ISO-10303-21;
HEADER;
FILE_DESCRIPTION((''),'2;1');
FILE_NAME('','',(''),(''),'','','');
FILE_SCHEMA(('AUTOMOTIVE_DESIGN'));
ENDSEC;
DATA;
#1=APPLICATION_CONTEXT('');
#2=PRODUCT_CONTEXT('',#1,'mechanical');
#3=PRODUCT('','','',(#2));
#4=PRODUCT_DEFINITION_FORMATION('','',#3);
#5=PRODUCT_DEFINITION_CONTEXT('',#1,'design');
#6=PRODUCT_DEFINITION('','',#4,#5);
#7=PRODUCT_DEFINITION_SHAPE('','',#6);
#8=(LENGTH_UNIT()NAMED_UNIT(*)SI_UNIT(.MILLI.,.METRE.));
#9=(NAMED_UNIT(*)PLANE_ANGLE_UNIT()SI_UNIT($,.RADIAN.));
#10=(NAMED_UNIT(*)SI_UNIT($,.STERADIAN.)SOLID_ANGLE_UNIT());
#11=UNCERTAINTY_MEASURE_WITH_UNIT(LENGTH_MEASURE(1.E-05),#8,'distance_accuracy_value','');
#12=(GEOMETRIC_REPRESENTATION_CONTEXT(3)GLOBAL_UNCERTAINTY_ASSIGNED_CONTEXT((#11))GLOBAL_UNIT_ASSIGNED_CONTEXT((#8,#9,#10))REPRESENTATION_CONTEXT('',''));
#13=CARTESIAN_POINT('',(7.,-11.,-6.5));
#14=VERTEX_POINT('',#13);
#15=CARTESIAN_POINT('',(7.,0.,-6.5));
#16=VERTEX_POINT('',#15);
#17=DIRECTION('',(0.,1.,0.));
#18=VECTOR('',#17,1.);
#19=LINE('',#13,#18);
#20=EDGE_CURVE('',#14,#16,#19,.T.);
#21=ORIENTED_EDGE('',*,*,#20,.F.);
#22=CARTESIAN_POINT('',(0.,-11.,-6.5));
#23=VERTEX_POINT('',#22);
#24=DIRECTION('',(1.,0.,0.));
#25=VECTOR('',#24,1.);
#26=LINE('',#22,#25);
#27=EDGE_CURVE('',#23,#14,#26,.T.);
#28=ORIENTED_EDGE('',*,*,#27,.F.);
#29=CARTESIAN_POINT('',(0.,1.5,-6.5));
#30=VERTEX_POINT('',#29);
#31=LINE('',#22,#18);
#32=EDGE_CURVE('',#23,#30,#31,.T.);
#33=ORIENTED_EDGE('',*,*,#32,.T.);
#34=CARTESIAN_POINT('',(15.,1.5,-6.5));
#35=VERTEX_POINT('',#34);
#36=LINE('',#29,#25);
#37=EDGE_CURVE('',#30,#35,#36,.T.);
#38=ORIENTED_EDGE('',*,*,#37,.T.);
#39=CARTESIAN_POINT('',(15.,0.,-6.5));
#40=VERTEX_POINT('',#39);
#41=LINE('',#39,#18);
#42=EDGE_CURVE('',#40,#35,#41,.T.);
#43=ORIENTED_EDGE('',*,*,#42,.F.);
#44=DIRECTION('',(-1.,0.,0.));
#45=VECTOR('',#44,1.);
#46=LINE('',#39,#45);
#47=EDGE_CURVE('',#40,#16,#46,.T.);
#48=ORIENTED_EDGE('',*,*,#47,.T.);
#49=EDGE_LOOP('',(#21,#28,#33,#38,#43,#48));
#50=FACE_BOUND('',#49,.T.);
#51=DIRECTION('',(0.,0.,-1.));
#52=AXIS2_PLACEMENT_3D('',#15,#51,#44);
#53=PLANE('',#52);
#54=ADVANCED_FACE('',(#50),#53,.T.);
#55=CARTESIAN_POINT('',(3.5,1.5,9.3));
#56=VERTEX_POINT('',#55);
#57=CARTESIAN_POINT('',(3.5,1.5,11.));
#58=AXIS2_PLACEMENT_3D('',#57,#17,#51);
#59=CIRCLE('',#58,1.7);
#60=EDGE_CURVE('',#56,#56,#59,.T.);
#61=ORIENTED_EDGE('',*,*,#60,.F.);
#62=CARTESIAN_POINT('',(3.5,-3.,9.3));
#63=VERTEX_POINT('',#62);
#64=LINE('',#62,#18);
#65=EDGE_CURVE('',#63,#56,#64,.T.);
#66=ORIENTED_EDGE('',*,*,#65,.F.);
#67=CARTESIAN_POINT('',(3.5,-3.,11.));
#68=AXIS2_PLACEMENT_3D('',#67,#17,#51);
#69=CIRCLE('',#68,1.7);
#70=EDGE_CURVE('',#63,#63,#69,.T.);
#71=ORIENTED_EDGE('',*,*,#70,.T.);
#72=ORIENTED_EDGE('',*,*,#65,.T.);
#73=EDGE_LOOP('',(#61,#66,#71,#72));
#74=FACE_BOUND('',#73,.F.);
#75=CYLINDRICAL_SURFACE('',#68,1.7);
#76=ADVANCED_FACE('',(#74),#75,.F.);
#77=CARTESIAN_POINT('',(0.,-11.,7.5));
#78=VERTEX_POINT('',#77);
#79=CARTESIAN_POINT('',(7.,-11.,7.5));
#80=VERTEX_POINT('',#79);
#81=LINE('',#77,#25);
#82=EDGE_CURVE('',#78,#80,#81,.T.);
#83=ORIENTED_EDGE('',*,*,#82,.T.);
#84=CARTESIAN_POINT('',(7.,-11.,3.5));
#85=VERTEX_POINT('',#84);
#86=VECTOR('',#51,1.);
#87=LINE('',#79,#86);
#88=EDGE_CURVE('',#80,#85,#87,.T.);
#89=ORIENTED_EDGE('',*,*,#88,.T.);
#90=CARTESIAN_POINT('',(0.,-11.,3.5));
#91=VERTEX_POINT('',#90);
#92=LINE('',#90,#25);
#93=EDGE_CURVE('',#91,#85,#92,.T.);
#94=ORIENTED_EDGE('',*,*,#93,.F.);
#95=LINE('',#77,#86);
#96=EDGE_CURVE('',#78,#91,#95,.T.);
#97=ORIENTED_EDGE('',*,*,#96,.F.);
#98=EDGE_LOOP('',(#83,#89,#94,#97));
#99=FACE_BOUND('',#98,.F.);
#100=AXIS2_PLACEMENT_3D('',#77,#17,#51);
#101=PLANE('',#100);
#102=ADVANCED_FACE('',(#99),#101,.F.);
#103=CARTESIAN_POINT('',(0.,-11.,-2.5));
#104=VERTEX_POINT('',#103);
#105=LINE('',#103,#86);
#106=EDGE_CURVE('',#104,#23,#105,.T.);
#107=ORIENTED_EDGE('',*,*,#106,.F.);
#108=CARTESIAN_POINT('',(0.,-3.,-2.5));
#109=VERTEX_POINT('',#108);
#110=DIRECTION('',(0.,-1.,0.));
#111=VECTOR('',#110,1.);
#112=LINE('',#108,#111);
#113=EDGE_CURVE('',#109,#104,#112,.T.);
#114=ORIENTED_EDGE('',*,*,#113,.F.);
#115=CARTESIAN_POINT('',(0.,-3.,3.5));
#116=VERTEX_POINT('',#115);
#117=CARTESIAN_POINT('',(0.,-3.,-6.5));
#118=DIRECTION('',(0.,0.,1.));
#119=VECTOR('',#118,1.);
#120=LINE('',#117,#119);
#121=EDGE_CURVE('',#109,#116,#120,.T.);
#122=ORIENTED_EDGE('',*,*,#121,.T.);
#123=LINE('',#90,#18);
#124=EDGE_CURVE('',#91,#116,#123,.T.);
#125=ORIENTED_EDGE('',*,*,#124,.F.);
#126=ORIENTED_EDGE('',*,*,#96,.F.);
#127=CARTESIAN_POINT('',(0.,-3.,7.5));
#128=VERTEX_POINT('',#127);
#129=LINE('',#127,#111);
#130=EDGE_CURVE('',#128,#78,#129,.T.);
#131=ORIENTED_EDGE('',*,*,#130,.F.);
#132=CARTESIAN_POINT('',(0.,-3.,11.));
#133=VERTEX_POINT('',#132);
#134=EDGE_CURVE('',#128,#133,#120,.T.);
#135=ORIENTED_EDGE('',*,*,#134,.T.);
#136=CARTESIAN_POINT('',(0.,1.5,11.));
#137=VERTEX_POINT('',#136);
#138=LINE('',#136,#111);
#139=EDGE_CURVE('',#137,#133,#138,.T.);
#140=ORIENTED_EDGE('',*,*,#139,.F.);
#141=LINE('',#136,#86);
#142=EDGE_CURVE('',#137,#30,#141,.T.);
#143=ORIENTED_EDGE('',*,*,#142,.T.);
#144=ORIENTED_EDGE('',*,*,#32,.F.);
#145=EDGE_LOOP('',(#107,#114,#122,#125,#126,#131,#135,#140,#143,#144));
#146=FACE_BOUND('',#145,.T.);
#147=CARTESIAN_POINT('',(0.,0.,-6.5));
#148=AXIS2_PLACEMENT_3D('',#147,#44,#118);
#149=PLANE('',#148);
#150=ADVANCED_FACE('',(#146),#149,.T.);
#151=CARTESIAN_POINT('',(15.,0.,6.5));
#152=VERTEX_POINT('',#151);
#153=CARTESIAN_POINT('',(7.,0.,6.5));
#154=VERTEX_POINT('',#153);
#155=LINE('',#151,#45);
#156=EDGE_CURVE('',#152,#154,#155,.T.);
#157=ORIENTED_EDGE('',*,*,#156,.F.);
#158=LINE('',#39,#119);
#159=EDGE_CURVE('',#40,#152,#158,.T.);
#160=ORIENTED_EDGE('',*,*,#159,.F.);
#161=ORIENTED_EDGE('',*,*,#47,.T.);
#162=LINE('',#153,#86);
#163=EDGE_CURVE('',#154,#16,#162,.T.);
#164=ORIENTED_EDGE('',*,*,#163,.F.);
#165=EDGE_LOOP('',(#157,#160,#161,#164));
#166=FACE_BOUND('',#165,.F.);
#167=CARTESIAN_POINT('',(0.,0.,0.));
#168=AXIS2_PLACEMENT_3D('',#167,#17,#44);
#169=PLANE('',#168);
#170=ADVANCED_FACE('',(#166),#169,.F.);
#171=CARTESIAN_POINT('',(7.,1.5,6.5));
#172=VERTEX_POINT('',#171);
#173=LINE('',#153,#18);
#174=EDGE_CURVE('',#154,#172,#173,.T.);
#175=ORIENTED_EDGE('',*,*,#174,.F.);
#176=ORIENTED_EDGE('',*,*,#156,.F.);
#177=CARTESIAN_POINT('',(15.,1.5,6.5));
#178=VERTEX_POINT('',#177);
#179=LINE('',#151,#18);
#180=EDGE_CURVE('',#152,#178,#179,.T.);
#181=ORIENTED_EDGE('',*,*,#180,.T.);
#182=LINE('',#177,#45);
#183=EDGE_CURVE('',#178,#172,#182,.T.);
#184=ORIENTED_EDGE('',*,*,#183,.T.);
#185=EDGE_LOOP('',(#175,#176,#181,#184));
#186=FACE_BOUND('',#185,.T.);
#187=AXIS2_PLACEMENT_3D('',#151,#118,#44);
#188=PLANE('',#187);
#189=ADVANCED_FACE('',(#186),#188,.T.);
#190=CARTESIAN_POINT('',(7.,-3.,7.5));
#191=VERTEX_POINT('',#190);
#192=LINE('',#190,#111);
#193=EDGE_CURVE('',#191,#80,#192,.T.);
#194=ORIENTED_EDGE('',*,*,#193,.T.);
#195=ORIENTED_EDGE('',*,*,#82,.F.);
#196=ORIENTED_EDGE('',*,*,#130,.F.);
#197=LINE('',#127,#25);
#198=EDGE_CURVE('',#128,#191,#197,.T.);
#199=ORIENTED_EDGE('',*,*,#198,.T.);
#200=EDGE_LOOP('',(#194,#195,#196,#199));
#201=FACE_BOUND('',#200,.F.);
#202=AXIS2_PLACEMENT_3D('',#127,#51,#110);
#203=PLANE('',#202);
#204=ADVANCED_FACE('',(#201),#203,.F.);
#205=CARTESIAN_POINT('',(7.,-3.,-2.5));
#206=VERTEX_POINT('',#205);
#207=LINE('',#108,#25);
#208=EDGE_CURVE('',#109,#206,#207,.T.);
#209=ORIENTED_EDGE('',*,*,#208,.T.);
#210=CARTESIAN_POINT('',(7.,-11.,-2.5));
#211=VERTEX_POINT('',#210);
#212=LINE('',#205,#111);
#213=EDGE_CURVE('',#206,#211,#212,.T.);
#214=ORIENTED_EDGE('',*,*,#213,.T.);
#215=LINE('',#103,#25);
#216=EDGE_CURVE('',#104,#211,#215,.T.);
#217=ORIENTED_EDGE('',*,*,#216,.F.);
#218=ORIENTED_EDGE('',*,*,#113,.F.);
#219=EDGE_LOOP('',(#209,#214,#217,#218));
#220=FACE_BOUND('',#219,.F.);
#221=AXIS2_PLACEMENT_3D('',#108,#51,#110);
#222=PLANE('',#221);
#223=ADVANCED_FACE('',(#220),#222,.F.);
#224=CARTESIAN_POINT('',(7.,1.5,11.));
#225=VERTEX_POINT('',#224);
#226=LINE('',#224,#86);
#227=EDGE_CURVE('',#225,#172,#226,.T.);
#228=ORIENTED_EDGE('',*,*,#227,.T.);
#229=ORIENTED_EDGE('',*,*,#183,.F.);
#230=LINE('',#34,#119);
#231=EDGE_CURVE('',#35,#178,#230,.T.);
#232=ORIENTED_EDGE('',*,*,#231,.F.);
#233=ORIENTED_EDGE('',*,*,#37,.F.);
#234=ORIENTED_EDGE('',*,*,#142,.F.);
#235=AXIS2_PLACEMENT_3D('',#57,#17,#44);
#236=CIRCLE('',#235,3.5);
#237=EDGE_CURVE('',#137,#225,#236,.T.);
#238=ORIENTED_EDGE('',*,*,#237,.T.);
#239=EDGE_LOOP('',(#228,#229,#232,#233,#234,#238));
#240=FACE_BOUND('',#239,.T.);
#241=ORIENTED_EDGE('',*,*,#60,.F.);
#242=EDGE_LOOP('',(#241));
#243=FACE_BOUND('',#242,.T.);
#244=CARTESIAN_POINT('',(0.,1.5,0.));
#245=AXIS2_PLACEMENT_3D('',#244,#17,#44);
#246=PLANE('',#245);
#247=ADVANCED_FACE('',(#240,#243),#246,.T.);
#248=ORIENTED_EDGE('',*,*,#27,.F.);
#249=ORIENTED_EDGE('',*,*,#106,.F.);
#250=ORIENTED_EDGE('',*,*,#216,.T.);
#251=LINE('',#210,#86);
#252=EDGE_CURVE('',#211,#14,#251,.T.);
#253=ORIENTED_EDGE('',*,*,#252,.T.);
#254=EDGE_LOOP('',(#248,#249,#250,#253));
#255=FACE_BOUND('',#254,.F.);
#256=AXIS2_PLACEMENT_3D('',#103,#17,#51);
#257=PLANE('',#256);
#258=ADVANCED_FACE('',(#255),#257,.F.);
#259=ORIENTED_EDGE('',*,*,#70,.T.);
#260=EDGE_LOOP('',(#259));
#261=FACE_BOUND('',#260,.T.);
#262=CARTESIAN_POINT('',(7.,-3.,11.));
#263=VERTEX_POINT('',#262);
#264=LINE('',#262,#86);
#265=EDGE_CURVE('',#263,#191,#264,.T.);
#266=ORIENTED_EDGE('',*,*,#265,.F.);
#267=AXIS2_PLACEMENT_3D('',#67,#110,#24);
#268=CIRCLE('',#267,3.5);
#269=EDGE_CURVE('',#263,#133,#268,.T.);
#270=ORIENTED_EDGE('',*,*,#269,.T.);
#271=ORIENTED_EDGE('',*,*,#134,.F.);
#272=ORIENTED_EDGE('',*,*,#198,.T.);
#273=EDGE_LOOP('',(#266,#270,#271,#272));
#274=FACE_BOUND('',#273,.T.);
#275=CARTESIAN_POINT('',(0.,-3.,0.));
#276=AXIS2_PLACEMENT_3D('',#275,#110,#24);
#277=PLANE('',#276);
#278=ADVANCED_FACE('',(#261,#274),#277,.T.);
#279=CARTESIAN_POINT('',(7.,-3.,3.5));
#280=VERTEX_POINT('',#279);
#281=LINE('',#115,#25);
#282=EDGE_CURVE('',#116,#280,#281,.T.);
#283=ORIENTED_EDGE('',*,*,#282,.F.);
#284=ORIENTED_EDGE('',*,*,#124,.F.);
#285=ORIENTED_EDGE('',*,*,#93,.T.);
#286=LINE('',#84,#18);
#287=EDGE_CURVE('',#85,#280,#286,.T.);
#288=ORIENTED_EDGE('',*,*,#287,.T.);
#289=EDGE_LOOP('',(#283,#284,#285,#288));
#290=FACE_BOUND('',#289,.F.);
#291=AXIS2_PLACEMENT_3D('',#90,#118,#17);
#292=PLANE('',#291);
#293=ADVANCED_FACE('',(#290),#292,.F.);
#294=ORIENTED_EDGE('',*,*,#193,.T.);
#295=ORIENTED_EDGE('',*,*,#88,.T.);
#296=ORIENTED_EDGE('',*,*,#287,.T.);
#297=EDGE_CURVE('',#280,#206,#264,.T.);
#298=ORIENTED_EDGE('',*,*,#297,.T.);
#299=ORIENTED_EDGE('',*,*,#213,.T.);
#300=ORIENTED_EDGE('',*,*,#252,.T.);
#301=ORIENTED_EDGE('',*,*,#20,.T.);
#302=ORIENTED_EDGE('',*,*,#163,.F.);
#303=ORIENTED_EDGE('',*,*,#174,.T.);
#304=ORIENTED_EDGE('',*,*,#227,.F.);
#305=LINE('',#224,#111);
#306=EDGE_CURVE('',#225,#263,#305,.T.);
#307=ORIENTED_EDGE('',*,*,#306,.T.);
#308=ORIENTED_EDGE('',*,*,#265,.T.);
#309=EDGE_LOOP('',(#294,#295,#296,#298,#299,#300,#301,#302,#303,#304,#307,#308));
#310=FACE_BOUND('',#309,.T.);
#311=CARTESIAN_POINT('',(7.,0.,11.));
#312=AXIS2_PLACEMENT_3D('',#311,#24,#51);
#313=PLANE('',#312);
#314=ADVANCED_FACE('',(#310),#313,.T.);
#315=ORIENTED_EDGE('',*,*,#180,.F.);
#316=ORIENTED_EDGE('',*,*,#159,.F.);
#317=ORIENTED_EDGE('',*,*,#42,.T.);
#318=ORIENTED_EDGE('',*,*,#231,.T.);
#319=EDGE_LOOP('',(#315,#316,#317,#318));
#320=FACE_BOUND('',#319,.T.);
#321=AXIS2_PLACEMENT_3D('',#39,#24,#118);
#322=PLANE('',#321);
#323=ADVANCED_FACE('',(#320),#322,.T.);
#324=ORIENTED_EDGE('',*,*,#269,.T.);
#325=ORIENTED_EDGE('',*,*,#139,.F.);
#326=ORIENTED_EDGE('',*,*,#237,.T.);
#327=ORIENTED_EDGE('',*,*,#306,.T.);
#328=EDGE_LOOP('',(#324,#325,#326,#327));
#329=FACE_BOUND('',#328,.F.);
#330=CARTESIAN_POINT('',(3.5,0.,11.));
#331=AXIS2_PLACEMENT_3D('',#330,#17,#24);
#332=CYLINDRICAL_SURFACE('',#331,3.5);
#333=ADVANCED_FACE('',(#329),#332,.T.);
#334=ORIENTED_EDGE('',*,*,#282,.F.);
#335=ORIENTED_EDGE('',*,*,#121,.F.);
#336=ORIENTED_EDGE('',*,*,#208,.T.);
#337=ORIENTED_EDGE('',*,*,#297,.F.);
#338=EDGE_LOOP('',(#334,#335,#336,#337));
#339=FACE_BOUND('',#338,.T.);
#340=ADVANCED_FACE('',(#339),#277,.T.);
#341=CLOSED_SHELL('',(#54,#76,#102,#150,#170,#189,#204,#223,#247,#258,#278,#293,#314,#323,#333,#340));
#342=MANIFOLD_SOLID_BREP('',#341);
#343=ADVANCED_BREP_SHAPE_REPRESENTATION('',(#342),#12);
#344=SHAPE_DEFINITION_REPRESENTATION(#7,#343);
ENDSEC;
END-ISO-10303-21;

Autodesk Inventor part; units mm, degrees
ref_plane "YZ Plane" through (0, 0, 0) normal (1, 0, 0) x (0, 1, 0)
ref_plane "XZ Plane" through (0, 0, 0) normal (0, 1, 0) x (-1, 0, 0)
ref_plane "XY Plane" through (0, 0, 0) normal (0, 0, 1) x (1, 0, 0)
sketch "Sketch1" plane through (0, 0, 0) normal (0, 1, 0) x (-1, 0, 0)
  line L0 (0, -6.5) -> (-15, -6.5)
  line L1 (-15, -6.5) -> (-15, 6.5)
  line L2 (-15, 6.5) -> (0, 6.5)
  line L3 (0, 6.5) -> (0, -6.5)
  line L4 (0, -6.5) -> (-15, 6.5) construction
  line L5 (-15, -6.5) -> (0, 6.5) construction
  line L6 (0, -20.3) -> (0, 20.3) projected
  line L7 (-3.5, -11) -> (-3.5, 11) construction
  line L8 (0, -11) -> (0, -6.5) construction
  line L9 (-7, 11) -> (-7, -6.5)
  arc A0 (-7, -11) -> (0, -11) centre (-3.5, -11) ccw construction
  arc A1 (0, 11) -> (-7, 11) centre (-3.5, 11) ccw
  line L10 (0, -6.5) -> (0, 11)
  line L11 (-7, -6.5) -> (-7, -11) construction
  point P0 (0, 0)
  point P1 (-7.5, 0)
  point P2 (-7.5, 0)
  point P3 (-3.5, 0)
  point P4 (0, 11)
  point P5 (-7, 6.5)
  point P6 (0, 6.5)
  dimension "d0" = 13
  dimension "d1" = 15
  dimension "d3" = 7
  dimension "d4" = 8
  dimension "d5" = 8
extrude "Extrusion1" add sketch "Sketch1" along normal blind 1.5
sketch "Sketch2" plane through (0, 0, 0) normal (0, -1, 0) x (1, 0, 0)
  line L0 (7, 11) -> (7, 6.5) projected
  arc A0 (7, 11) -> (0, 11) centre (3.5, 11) ccw projected
  line L1 (0, -6.5) -> (0, 11) projected
  line L2 (15, -6.5) -> (0, -6.5) projected
  line L3 (15, 6.5) -> (15, -6.5) projected
  line L4 (7, 6.5) -> (15, 6.5) projected
  line L5 (7, 11) -> (7, 6.5) projected
  line L6 (7, 6.5) -> (7, -6.5)
  point P0 (0, 0)
extrude "Extrusion2" add sketch "Sketch2" along normal blind 3 contours L0 L6 L2 L1 A0
sketch "Sketch3" plane through (0, 1.5, -6.5) normal (-1, 0, 0) x (0, 0, 1)
  line L0 (14, -12.5) -> (10, -12.5)
  line L1 (10, -12.5) -> (10, -4.5)
  line L2 (10, -4.5) -> (14, -4.5)
  line L3 (14, -4.5) -> (14, -12.5)
  line L4 (17.5, -4.5) -> (0, -4.5) projected
  line L5 (13, -1.5) -> (13, 0) projected
  line L6 (0, -4.5) -> (4, -4.5)
  line L7 (4, -4.5) -> (4, -12.5)
  line L8 (4, -12.5) -> (0, -12.5)
  line L9 (0, -12.5) -> (0, -4.5)
  point P0 (6.5, -1.5)
  dimension "d10" = 4
  dimension "d11" = 8
  dimension "d12" = 1
  dimension "d13" = 4
extrude "Extrusion3" add sketch "Sketch3" against normal up to surface (7 mm away)
sketch "Sketch4" plane through (0, -3, 0) normal (0, -1, 0) x (1, 0, 0)
  arc A0 (7, 11) -> (0, 11) centre (3.5, 11) ccw projected
  point P0 (0, 0)
hole "Hole1" at (3.5, -3, 11) direction (0, 1, 0) diameter 3.4 end through all
equation "\"d5\" = d4"
equation "\"d13\" = d10"
properties part number "optical sensor"
